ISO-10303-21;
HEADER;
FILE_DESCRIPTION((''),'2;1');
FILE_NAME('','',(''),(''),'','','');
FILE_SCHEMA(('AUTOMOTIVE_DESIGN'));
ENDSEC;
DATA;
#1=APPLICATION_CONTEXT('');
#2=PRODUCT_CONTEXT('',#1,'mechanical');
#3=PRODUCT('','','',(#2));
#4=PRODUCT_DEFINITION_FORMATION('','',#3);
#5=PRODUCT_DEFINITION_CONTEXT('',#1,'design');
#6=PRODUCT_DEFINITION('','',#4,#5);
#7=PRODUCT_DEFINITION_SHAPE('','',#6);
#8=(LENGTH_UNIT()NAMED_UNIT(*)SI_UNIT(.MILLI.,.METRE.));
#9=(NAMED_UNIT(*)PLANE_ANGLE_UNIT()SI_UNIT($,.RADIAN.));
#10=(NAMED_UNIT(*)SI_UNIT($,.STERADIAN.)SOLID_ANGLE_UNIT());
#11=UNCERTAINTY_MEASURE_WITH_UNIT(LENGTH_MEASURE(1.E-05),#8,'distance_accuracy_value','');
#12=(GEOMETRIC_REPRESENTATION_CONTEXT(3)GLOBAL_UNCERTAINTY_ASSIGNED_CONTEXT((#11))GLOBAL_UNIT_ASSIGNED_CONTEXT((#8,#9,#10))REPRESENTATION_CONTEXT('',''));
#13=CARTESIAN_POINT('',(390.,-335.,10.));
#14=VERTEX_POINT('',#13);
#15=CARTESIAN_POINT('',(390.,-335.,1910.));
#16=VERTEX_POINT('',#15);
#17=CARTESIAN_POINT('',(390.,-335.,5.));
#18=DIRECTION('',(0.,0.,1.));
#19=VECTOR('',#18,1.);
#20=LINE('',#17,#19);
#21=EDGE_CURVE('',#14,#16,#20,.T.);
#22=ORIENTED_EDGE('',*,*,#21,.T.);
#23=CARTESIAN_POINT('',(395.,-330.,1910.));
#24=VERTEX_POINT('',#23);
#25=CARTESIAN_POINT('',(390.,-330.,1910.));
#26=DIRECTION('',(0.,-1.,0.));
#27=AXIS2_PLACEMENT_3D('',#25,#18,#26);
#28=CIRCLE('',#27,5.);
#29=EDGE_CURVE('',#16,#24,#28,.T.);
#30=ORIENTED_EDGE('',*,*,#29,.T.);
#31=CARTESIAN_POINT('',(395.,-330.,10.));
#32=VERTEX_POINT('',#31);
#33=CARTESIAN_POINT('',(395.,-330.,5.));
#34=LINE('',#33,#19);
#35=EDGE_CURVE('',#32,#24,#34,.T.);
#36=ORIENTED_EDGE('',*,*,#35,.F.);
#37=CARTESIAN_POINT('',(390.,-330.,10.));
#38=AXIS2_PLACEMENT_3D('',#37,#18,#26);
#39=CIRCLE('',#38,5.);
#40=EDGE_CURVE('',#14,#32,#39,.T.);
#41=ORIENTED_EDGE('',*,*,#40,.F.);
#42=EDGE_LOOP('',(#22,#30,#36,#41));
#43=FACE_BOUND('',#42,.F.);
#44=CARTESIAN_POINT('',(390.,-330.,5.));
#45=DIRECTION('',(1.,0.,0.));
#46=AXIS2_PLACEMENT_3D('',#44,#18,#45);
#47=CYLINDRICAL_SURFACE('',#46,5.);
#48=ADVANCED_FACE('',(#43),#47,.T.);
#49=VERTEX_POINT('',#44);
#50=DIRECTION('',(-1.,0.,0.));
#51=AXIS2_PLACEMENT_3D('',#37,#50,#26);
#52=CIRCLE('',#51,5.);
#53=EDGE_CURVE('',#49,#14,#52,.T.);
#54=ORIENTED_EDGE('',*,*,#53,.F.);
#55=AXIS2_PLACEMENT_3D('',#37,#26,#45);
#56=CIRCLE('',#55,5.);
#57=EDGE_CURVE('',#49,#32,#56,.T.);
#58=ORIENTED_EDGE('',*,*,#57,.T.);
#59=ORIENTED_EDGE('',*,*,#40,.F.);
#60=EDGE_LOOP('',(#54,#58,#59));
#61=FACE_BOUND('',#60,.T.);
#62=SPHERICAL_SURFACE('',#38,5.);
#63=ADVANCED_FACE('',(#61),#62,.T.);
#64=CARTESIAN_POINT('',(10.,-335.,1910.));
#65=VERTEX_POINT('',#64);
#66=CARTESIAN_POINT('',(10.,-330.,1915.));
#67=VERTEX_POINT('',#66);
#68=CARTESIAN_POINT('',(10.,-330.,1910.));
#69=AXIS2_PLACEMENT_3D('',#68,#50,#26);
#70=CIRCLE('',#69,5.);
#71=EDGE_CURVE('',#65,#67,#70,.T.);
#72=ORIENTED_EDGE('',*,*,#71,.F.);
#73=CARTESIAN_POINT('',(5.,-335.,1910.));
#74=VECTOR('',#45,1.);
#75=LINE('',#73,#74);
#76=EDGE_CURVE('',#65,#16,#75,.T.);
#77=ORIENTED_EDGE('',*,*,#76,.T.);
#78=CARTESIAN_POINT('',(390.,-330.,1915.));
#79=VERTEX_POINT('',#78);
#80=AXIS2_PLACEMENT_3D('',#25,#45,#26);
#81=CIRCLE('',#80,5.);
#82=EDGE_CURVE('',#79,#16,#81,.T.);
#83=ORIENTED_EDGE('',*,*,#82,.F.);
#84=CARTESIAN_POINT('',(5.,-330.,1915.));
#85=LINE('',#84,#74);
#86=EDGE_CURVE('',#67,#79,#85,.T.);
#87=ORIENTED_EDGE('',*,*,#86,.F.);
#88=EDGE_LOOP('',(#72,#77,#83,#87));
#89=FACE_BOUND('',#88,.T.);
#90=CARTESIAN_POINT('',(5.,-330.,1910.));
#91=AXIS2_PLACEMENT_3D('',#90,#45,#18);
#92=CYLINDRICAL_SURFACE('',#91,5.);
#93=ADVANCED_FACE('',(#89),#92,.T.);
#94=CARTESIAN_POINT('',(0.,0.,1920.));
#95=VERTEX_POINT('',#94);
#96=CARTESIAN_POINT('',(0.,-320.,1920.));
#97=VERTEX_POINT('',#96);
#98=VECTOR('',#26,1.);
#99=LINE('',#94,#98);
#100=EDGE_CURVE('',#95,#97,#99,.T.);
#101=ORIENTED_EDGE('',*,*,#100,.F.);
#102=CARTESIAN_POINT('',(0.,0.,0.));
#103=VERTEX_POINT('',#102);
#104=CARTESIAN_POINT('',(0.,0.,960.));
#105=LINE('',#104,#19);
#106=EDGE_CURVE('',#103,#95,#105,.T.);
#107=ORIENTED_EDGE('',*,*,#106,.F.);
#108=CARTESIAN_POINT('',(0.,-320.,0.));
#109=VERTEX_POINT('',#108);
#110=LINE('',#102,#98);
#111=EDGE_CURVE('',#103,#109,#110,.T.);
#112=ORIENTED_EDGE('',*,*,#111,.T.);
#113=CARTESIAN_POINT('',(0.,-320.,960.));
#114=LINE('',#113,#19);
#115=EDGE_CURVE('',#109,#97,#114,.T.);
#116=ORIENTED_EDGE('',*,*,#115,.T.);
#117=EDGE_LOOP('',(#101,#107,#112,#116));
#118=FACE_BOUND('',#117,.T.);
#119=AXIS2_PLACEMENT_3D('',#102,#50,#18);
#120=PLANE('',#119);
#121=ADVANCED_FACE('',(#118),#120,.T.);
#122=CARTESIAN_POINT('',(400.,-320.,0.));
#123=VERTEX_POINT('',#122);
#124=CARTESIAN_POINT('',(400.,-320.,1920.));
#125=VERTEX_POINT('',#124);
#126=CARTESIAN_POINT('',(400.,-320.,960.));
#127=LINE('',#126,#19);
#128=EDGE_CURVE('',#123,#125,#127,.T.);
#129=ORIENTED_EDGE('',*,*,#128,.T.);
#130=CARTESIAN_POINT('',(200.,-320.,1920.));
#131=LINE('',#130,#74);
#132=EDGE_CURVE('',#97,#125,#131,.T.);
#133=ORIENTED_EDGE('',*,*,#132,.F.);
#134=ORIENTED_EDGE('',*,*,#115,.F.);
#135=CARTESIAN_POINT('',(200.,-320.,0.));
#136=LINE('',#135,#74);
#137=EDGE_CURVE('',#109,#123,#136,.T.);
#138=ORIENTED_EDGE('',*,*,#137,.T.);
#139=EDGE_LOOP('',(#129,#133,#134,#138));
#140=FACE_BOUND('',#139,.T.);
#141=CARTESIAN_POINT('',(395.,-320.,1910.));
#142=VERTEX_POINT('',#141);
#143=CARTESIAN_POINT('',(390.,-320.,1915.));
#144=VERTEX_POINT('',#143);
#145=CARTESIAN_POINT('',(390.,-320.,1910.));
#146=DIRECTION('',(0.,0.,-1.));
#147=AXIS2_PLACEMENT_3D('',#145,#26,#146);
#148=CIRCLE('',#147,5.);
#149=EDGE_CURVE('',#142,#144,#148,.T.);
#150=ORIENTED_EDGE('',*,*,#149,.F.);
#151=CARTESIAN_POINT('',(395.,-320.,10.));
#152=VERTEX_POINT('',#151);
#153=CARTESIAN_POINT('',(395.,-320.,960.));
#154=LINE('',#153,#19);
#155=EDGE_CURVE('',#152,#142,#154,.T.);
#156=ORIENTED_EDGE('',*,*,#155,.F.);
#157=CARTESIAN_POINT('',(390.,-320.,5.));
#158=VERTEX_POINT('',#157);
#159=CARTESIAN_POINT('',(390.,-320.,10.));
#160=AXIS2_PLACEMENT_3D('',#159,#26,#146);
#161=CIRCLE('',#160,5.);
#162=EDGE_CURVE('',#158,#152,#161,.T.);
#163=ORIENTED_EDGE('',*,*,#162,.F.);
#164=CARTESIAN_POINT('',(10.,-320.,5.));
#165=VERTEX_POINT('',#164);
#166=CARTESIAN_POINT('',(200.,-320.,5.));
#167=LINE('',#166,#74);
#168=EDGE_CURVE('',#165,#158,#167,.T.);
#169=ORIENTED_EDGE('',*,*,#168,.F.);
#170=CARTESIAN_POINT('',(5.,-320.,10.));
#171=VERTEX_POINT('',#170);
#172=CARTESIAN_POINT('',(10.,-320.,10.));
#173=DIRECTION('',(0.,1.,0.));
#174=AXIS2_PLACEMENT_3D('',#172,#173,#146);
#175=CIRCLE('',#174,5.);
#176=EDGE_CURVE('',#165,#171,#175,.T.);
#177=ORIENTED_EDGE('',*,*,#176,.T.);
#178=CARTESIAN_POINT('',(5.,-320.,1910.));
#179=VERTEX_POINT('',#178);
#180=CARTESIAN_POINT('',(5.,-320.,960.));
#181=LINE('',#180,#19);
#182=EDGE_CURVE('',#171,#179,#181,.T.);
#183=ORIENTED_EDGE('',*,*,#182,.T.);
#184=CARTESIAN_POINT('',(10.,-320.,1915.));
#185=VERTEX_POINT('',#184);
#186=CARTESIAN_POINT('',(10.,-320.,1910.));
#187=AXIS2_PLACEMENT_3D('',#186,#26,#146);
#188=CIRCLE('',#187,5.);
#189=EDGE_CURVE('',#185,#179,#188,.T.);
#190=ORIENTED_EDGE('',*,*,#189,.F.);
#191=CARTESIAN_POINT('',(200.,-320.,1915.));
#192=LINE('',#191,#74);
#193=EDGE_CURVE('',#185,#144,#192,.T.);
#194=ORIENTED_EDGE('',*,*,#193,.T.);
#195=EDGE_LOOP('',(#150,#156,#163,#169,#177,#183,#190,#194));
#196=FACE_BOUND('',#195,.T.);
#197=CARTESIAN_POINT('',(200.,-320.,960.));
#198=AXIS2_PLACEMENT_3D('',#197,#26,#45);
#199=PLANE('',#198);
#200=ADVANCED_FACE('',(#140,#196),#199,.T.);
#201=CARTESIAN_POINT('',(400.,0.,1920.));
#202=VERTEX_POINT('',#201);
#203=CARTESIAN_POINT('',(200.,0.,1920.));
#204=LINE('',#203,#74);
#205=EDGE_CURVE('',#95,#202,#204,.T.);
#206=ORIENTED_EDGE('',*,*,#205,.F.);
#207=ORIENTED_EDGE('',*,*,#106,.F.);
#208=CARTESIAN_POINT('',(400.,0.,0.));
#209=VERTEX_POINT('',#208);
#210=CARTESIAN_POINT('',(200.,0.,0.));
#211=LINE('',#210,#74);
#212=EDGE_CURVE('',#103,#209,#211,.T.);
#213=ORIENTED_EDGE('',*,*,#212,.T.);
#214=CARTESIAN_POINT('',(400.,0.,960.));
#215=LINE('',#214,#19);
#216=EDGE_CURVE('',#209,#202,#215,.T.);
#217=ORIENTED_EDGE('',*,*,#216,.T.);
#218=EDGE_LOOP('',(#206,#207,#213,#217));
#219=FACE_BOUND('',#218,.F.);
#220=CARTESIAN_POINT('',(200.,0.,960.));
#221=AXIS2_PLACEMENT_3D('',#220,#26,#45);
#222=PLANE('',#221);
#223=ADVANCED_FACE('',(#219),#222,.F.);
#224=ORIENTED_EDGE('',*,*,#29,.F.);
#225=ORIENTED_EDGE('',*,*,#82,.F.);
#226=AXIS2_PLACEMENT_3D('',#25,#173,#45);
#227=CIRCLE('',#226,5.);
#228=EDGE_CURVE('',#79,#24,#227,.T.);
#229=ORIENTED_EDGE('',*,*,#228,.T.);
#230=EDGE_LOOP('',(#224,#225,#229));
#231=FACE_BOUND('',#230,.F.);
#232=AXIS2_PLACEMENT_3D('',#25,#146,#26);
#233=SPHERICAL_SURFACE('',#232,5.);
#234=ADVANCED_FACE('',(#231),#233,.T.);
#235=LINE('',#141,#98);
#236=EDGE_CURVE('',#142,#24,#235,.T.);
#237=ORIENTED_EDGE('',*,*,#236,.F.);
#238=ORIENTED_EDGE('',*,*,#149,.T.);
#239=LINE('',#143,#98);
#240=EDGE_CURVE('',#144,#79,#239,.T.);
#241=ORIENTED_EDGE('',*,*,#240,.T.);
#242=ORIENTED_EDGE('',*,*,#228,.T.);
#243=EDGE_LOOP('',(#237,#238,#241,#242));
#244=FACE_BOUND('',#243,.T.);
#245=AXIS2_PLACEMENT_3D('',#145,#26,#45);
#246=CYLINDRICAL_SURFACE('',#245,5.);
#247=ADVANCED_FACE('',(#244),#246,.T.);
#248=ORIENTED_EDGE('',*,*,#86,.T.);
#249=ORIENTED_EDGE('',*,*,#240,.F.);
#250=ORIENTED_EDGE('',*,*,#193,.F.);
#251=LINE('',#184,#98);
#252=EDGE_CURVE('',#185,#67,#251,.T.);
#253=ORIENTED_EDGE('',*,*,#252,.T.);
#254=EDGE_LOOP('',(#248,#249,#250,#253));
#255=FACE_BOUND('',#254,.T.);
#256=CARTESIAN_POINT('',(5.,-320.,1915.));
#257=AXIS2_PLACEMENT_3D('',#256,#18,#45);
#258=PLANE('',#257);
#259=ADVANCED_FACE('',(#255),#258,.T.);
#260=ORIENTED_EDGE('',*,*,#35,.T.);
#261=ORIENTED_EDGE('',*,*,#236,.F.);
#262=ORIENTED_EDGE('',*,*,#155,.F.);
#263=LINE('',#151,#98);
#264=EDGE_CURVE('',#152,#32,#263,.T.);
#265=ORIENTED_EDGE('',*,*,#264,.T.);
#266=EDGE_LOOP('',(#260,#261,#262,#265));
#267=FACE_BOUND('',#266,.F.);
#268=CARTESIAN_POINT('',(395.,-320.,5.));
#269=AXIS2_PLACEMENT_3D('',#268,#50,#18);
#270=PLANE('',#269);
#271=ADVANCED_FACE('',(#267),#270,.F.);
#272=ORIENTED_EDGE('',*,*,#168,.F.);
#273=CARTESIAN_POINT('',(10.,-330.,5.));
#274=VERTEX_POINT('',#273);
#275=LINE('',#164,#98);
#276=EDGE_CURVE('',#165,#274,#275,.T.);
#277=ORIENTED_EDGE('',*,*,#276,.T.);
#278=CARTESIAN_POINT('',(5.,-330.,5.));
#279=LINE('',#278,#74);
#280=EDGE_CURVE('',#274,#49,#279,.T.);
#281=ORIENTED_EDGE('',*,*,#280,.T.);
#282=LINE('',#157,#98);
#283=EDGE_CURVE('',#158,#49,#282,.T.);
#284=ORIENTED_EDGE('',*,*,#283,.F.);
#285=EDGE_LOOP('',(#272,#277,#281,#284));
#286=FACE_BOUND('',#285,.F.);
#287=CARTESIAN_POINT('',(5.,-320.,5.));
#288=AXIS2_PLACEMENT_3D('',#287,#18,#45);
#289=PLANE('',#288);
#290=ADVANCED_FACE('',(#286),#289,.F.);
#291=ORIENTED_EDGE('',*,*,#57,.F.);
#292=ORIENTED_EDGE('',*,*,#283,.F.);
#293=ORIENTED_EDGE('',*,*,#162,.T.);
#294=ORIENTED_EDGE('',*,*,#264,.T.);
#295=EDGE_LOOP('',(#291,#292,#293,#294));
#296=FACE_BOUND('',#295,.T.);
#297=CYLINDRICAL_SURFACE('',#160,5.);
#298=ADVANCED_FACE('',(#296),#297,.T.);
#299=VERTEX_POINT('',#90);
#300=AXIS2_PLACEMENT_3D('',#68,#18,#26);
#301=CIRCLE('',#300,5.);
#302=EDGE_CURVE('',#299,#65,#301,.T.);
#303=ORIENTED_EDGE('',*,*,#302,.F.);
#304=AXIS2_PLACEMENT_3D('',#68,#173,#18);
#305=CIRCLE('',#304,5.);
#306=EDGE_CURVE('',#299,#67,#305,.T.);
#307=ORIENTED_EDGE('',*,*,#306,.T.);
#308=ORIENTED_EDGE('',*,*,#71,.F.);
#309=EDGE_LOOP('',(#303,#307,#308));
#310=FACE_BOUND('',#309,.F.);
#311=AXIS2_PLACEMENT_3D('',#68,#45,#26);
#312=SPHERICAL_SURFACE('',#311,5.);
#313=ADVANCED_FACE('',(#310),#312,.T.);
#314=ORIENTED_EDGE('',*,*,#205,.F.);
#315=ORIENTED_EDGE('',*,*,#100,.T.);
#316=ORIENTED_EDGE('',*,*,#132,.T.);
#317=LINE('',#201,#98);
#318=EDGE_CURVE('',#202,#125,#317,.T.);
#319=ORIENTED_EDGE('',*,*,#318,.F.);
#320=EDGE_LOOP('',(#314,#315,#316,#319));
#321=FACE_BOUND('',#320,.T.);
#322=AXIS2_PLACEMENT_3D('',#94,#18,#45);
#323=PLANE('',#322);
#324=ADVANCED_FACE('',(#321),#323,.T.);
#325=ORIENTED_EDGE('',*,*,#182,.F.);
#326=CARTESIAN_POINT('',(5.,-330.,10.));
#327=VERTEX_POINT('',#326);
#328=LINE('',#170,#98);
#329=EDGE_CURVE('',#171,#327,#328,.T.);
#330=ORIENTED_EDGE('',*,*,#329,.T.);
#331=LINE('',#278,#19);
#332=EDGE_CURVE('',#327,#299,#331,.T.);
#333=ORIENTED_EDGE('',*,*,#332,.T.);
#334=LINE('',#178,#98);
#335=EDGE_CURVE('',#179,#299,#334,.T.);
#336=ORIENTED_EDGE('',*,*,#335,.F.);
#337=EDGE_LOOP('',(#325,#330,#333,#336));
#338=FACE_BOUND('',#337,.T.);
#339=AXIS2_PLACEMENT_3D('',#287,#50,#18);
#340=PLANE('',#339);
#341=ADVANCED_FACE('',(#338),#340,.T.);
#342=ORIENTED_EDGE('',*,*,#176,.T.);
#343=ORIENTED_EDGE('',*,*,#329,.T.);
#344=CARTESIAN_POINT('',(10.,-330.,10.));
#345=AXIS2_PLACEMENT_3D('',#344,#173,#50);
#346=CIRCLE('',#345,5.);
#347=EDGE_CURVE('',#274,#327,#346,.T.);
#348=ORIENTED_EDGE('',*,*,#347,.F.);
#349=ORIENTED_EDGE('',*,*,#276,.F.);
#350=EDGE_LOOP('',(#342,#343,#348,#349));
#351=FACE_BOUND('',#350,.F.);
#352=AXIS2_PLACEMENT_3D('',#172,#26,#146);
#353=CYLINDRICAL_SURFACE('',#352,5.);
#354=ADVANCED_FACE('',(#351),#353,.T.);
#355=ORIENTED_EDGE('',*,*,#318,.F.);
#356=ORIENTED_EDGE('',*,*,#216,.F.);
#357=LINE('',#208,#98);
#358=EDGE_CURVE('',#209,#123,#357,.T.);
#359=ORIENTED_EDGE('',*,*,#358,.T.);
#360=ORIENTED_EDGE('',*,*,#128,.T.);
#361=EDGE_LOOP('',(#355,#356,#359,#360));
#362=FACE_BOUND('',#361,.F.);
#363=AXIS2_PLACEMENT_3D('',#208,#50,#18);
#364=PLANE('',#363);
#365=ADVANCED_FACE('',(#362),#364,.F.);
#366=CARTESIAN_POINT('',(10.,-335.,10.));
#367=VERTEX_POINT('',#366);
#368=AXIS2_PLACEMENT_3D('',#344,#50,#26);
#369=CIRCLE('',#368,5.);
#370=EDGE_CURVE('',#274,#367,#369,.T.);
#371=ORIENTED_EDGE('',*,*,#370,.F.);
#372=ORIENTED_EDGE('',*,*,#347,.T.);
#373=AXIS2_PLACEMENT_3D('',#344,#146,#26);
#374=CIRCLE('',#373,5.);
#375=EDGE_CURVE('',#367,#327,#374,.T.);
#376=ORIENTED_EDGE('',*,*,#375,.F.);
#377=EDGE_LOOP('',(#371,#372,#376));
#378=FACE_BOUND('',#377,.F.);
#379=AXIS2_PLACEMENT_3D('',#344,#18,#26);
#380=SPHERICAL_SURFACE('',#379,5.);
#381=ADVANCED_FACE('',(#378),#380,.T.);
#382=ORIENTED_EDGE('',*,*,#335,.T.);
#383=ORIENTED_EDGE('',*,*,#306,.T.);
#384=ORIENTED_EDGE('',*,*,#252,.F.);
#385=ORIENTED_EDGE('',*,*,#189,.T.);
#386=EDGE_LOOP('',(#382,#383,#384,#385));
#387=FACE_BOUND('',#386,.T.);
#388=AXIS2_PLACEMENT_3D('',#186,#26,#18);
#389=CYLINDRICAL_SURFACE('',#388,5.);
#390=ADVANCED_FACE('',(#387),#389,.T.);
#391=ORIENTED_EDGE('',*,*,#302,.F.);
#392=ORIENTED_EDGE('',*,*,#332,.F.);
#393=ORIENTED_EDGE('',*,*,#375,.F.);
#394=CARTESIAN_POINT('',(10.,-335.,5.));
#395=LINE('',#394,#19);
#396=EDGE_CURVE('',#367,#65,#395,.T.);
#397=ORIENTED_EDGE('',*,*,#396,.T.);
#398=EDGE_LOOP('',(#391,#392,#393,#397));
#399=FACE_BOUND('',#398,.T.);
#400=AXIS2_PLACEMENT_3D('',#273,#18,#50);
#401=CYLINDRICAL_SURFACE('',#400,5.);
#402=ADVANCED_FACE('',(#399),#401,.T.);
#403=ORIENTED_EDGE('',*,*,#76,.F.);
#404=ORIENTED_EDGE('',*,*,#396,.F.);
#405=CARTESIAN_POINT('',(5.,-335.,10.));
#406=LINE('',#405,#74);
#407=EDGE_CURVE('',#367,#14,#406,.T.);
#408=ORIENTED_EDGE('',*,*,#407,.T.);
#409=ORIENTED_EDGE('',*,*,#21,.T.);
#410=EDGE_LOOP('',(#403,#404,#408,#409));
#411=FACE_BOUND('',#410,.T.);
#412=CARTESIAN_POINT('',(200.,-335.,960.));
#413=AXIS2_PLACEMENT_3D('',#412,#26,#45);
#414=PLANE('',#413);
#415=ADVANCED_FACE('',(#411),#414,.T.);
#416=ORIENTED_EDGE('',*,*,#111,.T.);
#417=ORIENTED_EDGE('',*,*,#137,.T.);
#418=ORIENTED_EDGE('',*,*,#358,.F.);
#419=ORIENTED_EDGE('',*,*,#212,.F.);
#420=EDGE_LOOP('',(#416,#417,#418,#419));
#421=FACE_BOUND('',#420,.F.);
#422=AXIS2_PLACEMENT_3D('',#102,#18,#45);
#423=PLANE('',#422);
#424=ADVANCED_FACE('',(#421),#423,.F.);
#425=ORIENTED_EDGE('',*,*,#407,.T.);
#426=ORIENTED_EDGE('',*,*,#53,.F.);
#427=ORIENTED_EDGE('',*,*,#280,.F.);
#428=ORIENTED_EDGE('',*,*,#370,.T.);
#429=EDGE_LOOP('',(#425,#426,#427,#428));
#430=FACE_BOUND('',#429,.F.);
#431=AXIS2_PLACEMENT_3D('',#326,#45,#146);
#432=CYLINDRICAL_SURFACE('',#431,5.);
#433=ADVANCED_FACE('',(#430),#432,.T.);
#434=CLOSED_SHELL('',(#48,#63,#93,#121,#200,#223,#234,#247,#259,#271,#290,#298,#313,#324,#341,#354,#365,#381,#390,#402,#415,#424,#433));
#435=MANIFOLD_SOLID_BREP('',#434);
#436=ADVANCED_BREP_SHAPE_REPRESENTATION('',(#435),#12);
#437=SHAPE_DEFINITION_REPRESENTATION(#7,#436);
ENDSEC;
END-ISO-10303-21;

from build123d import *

# Parameters (mm, degrees)
F0_W     = 400
F0_H     = 1920
F1_DEPTH = 320
F2_W     = 390
F2_H     = 1910
F3_DEPTH = 15
F4_R     = 5


with BuildPart() as f1:
    # F0 (on Front) → F1 (new body)
    with BuildSketch(Plane.XZ):
        with Locations((200, 960)):
            Rectangle(F0_W, F0_H)
    extrude(amount=F1_DEPTH)

    # F2 (on face) → F3 (join)
    with BuildSketch(Plane.XZ.offset(320)):
        with Locations((200, 960)):
            Rectangle(F2_W, F2_H)
    extrude(amount=F3_DEPTH)

    # F4
    f4_edges = [f1.edges().sort_by_distance(p)[0] for p in [
        (395, -335, 960),
        (200, -335, 1915),
        (5, -335, 960),
        (200, -335, 5),
        (395, -327.5, 1915),
        (5, -327.5, 1915),
        (395, -327.5, 5),
        (5, -327.5, 5),
    ]]
    fillet(f4_edges, radius=F4_R)


solid = f1.part
